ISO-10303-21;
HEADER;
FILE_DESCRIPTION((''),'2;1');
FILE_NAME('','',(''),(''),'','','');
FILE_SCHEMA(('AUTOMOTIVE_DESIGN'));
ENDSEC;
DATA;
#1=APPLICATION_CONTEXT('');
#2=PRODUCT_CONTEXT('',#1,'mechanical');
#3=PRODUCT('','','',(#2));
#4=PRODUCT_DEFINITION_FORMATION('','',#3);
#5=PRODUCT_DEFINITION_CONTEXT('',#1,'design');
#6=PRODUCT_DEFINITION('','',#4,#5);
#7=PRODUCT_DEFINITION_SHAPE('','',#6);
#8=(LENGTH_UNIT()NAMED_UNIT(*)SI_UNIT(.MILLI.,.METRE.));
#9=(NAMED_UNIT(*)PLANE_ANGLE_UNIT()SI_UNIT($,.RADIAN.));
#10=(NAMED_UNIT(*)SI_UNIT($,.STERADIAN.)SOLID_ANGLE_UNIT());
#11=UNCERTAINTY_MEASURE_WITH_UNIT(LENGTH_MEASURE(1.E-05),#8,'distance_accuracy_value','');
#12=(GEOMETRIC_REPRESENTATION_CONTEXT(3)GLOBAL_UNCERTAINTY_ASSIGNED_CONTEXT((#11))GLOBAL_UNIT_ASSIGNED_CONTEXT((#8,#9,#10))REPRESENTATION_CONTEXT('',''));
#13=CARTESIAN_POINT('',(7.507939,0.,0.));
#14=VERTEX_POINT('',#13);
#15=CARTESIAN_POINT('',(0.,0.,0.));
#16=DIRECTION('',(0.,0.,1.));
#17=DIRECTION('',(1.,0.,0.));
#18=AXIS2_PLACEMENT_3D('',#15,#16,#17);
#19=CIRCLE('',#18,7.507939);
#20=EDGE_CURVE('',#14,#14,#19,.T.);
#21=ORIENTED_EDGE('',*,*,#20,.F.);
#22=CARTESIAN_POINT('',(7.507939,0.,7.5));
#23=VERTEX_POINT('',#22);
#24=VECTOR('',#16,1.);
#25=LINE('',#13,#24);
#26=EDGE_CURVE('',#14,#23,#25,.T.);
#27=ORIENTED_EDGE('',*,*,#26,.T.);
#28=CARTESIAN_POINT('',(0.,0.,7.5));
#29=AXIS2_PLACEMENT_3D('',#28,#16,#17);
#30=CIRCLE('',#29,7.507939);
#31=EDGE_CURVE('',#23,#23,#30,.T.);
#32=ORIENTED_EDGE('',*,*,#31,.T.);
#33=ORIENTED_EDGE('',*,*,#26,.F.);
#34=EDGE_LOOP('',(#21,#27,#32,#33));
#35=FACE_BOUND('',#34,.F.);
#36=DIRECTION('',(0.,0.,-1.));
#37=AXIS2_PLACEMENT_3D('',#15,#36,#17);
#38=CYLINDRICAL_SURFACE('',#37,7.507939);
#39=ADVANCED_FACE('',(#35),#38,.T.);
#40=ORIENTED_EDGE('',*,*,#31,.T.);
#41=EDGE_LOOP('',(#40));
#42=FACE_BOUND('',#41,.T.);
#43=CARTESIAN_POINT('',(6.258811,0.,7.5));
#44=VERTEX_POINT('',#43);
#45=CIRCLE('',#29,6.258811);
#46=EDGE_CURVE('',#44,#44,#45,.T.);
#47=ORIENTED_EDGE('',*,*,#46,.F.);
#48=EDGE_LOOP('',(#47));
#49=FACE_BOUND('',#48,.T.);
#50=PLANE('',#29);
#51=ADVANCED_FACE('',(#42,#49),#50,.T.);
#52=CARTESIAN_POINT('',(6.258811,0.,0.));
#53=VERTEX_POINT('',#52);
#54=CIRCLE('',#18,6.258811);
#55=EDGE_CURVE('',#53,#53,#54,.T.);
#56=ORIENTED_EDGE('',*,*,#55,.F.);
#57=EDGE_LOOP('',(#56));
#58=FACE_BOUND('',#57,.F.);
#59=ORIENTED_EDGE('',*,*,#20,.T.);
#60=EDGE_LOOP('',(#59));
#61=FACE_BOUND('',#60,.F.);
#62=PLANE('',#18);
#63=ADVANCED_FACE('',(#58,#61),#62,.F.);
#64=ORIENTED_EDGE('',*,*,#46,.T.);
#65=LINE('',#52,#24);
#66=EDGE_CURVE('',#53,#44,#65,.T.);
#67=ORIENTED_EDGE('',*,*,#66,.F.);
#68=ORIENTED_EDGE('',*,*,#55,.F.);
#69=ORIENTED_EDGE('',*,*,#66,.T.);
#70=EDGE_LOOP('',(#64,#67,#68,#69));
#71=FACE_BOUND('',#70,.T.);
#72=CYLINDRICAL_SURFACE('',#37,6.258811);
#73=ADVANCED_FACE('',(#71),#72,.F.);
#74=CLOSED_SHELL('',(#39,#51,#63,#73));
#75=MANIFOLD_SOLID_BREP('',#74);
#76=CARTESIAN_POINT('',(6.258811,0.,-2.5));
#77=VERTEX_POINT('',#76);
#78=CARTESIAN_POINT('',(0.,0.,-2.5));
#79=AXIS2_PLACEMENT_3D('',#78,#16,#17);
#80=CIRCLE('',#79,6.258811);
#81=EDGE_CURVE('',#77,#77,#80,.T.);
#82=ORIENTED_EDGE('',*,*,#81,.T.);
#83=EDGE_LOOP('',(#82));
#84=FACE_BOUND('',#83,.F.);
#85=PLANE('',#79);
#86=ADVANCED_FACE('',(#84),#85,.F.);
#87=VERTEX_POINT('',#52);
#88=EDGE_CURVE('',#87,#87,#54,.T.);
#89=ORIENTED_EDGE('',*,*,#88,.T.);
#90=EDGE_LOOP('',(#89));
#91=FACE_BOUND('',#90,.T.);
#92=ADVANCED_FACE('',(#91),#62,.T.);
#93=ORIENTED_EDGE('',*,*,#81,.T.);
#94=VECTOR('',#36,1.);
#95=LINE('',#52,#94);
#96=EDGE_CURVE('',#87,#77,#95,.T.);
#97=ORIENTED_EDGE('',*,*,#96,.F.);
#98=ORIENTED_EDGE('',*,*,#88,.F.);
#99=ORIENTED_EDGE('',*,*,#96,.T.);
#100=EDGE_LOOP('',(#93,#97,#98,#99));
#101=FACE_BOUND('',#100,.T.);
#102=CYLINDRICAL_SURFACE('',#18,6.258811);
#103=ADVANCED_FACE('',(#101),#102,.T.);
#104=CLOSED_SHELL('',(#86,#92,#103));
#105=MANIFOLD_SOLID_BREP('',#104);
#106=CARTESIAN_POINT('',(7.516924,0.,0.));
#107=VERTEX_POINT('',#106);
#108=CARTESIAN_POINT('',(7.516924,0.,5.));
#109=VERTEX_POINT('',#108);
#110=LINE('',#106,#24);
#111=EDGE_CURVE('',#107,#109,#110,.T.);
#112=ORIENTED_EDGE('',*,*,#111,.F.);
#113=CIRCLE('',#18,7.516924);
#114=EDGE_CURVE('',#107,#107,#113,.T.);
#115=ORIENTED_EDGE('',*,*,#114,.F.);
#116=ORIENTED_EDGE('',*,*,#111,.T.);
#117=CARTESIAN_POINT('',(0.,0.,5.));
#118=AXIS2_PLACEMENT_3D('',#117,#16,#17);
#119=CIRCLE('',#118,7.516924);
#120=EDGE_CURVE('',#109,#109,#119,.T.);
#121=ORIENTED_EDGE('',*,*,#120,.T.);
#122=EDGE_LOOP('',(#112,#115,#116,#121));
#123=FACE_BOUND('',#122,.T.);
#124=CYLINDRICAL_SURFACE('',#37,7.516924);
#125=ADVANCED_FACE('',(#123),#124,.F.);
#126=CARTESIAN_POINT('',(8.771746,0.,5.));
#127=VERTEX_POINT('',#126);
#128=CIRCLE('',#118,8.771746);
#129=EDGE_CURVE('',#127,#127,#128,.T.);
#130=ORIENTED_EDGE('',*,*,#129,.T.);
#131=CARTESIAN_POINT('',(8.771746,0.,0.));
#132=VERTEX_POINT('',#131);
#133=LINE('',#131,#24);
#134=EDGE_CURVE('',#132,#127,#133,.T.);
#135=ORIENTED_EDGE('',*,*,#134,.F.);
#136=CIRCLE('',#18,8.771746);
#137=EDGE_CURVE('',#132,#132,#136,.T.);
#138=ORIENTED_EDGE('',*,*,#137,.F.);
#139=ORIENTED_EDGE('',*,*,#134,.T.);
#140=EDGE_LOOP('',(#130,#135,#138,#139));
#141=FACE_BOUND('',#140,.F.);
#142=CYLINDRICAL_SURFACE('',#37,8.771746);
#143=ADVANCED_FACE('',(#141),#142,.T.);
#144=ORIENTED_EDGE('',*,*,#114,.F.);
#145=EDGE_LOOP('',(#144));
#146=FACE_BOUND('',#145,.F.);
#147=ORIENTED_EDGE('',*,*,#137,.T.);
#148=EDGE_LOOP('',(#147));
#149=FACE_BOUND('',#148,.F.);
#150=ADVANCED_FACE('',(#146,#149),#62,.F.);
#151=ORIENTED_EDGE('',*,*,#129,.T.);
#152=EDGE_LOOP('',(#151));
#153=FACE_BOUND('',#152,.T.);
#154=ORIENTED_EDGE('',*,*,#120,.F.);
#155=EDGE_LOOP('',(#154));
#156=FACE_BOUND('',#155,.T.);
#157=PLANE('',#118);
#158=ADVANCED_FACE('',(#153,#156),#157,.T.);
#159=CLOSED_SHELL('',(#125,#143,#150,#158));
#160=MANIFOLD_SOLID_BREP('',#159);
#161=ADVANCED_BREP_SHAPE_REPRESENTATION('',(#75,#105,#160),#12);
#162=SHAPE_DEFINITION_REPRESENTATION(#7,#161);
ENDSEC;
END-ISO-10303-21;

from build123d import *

# Parameters (mm, degrees)
F0_R     = 8.771746
F0_R_2   = 7.516924
F1_DEPTH = 5
F0_R_3   = 7.507939
F0_R_4   = 6.258811
F2_DEPTH = 7.5
F3_DEPTH = 2.5


with BuildPart() as f1:
    # F0 (on Top) → F1 (new body)
    with BuildSketch(Plane.XY):
        Circle(F0_R)
        Circle(F0_R_2, mode=Mode.SUBTRACT)
    extrude(amount=F1_DEPTH)


with BuildPart() as f2:
    # F0 (on Top) → F2 (new body)
    with BuildSketch(Plane.XY):
        Circle(F0_R_3)
        Circle(F0_R_4, mode=Mode.SUBTRACT)
    extrude(amount=F2_DEPTH)


with BuildPart() as f3:
    # F0 (on Top) → F3 (new body)
    with BuildSketch(Plane.XY):
        Circle(F0_R_4)
    extrude(amount=-F3_DEPTH)


solid = Compound([f1.part, f2.part, f3.part])
